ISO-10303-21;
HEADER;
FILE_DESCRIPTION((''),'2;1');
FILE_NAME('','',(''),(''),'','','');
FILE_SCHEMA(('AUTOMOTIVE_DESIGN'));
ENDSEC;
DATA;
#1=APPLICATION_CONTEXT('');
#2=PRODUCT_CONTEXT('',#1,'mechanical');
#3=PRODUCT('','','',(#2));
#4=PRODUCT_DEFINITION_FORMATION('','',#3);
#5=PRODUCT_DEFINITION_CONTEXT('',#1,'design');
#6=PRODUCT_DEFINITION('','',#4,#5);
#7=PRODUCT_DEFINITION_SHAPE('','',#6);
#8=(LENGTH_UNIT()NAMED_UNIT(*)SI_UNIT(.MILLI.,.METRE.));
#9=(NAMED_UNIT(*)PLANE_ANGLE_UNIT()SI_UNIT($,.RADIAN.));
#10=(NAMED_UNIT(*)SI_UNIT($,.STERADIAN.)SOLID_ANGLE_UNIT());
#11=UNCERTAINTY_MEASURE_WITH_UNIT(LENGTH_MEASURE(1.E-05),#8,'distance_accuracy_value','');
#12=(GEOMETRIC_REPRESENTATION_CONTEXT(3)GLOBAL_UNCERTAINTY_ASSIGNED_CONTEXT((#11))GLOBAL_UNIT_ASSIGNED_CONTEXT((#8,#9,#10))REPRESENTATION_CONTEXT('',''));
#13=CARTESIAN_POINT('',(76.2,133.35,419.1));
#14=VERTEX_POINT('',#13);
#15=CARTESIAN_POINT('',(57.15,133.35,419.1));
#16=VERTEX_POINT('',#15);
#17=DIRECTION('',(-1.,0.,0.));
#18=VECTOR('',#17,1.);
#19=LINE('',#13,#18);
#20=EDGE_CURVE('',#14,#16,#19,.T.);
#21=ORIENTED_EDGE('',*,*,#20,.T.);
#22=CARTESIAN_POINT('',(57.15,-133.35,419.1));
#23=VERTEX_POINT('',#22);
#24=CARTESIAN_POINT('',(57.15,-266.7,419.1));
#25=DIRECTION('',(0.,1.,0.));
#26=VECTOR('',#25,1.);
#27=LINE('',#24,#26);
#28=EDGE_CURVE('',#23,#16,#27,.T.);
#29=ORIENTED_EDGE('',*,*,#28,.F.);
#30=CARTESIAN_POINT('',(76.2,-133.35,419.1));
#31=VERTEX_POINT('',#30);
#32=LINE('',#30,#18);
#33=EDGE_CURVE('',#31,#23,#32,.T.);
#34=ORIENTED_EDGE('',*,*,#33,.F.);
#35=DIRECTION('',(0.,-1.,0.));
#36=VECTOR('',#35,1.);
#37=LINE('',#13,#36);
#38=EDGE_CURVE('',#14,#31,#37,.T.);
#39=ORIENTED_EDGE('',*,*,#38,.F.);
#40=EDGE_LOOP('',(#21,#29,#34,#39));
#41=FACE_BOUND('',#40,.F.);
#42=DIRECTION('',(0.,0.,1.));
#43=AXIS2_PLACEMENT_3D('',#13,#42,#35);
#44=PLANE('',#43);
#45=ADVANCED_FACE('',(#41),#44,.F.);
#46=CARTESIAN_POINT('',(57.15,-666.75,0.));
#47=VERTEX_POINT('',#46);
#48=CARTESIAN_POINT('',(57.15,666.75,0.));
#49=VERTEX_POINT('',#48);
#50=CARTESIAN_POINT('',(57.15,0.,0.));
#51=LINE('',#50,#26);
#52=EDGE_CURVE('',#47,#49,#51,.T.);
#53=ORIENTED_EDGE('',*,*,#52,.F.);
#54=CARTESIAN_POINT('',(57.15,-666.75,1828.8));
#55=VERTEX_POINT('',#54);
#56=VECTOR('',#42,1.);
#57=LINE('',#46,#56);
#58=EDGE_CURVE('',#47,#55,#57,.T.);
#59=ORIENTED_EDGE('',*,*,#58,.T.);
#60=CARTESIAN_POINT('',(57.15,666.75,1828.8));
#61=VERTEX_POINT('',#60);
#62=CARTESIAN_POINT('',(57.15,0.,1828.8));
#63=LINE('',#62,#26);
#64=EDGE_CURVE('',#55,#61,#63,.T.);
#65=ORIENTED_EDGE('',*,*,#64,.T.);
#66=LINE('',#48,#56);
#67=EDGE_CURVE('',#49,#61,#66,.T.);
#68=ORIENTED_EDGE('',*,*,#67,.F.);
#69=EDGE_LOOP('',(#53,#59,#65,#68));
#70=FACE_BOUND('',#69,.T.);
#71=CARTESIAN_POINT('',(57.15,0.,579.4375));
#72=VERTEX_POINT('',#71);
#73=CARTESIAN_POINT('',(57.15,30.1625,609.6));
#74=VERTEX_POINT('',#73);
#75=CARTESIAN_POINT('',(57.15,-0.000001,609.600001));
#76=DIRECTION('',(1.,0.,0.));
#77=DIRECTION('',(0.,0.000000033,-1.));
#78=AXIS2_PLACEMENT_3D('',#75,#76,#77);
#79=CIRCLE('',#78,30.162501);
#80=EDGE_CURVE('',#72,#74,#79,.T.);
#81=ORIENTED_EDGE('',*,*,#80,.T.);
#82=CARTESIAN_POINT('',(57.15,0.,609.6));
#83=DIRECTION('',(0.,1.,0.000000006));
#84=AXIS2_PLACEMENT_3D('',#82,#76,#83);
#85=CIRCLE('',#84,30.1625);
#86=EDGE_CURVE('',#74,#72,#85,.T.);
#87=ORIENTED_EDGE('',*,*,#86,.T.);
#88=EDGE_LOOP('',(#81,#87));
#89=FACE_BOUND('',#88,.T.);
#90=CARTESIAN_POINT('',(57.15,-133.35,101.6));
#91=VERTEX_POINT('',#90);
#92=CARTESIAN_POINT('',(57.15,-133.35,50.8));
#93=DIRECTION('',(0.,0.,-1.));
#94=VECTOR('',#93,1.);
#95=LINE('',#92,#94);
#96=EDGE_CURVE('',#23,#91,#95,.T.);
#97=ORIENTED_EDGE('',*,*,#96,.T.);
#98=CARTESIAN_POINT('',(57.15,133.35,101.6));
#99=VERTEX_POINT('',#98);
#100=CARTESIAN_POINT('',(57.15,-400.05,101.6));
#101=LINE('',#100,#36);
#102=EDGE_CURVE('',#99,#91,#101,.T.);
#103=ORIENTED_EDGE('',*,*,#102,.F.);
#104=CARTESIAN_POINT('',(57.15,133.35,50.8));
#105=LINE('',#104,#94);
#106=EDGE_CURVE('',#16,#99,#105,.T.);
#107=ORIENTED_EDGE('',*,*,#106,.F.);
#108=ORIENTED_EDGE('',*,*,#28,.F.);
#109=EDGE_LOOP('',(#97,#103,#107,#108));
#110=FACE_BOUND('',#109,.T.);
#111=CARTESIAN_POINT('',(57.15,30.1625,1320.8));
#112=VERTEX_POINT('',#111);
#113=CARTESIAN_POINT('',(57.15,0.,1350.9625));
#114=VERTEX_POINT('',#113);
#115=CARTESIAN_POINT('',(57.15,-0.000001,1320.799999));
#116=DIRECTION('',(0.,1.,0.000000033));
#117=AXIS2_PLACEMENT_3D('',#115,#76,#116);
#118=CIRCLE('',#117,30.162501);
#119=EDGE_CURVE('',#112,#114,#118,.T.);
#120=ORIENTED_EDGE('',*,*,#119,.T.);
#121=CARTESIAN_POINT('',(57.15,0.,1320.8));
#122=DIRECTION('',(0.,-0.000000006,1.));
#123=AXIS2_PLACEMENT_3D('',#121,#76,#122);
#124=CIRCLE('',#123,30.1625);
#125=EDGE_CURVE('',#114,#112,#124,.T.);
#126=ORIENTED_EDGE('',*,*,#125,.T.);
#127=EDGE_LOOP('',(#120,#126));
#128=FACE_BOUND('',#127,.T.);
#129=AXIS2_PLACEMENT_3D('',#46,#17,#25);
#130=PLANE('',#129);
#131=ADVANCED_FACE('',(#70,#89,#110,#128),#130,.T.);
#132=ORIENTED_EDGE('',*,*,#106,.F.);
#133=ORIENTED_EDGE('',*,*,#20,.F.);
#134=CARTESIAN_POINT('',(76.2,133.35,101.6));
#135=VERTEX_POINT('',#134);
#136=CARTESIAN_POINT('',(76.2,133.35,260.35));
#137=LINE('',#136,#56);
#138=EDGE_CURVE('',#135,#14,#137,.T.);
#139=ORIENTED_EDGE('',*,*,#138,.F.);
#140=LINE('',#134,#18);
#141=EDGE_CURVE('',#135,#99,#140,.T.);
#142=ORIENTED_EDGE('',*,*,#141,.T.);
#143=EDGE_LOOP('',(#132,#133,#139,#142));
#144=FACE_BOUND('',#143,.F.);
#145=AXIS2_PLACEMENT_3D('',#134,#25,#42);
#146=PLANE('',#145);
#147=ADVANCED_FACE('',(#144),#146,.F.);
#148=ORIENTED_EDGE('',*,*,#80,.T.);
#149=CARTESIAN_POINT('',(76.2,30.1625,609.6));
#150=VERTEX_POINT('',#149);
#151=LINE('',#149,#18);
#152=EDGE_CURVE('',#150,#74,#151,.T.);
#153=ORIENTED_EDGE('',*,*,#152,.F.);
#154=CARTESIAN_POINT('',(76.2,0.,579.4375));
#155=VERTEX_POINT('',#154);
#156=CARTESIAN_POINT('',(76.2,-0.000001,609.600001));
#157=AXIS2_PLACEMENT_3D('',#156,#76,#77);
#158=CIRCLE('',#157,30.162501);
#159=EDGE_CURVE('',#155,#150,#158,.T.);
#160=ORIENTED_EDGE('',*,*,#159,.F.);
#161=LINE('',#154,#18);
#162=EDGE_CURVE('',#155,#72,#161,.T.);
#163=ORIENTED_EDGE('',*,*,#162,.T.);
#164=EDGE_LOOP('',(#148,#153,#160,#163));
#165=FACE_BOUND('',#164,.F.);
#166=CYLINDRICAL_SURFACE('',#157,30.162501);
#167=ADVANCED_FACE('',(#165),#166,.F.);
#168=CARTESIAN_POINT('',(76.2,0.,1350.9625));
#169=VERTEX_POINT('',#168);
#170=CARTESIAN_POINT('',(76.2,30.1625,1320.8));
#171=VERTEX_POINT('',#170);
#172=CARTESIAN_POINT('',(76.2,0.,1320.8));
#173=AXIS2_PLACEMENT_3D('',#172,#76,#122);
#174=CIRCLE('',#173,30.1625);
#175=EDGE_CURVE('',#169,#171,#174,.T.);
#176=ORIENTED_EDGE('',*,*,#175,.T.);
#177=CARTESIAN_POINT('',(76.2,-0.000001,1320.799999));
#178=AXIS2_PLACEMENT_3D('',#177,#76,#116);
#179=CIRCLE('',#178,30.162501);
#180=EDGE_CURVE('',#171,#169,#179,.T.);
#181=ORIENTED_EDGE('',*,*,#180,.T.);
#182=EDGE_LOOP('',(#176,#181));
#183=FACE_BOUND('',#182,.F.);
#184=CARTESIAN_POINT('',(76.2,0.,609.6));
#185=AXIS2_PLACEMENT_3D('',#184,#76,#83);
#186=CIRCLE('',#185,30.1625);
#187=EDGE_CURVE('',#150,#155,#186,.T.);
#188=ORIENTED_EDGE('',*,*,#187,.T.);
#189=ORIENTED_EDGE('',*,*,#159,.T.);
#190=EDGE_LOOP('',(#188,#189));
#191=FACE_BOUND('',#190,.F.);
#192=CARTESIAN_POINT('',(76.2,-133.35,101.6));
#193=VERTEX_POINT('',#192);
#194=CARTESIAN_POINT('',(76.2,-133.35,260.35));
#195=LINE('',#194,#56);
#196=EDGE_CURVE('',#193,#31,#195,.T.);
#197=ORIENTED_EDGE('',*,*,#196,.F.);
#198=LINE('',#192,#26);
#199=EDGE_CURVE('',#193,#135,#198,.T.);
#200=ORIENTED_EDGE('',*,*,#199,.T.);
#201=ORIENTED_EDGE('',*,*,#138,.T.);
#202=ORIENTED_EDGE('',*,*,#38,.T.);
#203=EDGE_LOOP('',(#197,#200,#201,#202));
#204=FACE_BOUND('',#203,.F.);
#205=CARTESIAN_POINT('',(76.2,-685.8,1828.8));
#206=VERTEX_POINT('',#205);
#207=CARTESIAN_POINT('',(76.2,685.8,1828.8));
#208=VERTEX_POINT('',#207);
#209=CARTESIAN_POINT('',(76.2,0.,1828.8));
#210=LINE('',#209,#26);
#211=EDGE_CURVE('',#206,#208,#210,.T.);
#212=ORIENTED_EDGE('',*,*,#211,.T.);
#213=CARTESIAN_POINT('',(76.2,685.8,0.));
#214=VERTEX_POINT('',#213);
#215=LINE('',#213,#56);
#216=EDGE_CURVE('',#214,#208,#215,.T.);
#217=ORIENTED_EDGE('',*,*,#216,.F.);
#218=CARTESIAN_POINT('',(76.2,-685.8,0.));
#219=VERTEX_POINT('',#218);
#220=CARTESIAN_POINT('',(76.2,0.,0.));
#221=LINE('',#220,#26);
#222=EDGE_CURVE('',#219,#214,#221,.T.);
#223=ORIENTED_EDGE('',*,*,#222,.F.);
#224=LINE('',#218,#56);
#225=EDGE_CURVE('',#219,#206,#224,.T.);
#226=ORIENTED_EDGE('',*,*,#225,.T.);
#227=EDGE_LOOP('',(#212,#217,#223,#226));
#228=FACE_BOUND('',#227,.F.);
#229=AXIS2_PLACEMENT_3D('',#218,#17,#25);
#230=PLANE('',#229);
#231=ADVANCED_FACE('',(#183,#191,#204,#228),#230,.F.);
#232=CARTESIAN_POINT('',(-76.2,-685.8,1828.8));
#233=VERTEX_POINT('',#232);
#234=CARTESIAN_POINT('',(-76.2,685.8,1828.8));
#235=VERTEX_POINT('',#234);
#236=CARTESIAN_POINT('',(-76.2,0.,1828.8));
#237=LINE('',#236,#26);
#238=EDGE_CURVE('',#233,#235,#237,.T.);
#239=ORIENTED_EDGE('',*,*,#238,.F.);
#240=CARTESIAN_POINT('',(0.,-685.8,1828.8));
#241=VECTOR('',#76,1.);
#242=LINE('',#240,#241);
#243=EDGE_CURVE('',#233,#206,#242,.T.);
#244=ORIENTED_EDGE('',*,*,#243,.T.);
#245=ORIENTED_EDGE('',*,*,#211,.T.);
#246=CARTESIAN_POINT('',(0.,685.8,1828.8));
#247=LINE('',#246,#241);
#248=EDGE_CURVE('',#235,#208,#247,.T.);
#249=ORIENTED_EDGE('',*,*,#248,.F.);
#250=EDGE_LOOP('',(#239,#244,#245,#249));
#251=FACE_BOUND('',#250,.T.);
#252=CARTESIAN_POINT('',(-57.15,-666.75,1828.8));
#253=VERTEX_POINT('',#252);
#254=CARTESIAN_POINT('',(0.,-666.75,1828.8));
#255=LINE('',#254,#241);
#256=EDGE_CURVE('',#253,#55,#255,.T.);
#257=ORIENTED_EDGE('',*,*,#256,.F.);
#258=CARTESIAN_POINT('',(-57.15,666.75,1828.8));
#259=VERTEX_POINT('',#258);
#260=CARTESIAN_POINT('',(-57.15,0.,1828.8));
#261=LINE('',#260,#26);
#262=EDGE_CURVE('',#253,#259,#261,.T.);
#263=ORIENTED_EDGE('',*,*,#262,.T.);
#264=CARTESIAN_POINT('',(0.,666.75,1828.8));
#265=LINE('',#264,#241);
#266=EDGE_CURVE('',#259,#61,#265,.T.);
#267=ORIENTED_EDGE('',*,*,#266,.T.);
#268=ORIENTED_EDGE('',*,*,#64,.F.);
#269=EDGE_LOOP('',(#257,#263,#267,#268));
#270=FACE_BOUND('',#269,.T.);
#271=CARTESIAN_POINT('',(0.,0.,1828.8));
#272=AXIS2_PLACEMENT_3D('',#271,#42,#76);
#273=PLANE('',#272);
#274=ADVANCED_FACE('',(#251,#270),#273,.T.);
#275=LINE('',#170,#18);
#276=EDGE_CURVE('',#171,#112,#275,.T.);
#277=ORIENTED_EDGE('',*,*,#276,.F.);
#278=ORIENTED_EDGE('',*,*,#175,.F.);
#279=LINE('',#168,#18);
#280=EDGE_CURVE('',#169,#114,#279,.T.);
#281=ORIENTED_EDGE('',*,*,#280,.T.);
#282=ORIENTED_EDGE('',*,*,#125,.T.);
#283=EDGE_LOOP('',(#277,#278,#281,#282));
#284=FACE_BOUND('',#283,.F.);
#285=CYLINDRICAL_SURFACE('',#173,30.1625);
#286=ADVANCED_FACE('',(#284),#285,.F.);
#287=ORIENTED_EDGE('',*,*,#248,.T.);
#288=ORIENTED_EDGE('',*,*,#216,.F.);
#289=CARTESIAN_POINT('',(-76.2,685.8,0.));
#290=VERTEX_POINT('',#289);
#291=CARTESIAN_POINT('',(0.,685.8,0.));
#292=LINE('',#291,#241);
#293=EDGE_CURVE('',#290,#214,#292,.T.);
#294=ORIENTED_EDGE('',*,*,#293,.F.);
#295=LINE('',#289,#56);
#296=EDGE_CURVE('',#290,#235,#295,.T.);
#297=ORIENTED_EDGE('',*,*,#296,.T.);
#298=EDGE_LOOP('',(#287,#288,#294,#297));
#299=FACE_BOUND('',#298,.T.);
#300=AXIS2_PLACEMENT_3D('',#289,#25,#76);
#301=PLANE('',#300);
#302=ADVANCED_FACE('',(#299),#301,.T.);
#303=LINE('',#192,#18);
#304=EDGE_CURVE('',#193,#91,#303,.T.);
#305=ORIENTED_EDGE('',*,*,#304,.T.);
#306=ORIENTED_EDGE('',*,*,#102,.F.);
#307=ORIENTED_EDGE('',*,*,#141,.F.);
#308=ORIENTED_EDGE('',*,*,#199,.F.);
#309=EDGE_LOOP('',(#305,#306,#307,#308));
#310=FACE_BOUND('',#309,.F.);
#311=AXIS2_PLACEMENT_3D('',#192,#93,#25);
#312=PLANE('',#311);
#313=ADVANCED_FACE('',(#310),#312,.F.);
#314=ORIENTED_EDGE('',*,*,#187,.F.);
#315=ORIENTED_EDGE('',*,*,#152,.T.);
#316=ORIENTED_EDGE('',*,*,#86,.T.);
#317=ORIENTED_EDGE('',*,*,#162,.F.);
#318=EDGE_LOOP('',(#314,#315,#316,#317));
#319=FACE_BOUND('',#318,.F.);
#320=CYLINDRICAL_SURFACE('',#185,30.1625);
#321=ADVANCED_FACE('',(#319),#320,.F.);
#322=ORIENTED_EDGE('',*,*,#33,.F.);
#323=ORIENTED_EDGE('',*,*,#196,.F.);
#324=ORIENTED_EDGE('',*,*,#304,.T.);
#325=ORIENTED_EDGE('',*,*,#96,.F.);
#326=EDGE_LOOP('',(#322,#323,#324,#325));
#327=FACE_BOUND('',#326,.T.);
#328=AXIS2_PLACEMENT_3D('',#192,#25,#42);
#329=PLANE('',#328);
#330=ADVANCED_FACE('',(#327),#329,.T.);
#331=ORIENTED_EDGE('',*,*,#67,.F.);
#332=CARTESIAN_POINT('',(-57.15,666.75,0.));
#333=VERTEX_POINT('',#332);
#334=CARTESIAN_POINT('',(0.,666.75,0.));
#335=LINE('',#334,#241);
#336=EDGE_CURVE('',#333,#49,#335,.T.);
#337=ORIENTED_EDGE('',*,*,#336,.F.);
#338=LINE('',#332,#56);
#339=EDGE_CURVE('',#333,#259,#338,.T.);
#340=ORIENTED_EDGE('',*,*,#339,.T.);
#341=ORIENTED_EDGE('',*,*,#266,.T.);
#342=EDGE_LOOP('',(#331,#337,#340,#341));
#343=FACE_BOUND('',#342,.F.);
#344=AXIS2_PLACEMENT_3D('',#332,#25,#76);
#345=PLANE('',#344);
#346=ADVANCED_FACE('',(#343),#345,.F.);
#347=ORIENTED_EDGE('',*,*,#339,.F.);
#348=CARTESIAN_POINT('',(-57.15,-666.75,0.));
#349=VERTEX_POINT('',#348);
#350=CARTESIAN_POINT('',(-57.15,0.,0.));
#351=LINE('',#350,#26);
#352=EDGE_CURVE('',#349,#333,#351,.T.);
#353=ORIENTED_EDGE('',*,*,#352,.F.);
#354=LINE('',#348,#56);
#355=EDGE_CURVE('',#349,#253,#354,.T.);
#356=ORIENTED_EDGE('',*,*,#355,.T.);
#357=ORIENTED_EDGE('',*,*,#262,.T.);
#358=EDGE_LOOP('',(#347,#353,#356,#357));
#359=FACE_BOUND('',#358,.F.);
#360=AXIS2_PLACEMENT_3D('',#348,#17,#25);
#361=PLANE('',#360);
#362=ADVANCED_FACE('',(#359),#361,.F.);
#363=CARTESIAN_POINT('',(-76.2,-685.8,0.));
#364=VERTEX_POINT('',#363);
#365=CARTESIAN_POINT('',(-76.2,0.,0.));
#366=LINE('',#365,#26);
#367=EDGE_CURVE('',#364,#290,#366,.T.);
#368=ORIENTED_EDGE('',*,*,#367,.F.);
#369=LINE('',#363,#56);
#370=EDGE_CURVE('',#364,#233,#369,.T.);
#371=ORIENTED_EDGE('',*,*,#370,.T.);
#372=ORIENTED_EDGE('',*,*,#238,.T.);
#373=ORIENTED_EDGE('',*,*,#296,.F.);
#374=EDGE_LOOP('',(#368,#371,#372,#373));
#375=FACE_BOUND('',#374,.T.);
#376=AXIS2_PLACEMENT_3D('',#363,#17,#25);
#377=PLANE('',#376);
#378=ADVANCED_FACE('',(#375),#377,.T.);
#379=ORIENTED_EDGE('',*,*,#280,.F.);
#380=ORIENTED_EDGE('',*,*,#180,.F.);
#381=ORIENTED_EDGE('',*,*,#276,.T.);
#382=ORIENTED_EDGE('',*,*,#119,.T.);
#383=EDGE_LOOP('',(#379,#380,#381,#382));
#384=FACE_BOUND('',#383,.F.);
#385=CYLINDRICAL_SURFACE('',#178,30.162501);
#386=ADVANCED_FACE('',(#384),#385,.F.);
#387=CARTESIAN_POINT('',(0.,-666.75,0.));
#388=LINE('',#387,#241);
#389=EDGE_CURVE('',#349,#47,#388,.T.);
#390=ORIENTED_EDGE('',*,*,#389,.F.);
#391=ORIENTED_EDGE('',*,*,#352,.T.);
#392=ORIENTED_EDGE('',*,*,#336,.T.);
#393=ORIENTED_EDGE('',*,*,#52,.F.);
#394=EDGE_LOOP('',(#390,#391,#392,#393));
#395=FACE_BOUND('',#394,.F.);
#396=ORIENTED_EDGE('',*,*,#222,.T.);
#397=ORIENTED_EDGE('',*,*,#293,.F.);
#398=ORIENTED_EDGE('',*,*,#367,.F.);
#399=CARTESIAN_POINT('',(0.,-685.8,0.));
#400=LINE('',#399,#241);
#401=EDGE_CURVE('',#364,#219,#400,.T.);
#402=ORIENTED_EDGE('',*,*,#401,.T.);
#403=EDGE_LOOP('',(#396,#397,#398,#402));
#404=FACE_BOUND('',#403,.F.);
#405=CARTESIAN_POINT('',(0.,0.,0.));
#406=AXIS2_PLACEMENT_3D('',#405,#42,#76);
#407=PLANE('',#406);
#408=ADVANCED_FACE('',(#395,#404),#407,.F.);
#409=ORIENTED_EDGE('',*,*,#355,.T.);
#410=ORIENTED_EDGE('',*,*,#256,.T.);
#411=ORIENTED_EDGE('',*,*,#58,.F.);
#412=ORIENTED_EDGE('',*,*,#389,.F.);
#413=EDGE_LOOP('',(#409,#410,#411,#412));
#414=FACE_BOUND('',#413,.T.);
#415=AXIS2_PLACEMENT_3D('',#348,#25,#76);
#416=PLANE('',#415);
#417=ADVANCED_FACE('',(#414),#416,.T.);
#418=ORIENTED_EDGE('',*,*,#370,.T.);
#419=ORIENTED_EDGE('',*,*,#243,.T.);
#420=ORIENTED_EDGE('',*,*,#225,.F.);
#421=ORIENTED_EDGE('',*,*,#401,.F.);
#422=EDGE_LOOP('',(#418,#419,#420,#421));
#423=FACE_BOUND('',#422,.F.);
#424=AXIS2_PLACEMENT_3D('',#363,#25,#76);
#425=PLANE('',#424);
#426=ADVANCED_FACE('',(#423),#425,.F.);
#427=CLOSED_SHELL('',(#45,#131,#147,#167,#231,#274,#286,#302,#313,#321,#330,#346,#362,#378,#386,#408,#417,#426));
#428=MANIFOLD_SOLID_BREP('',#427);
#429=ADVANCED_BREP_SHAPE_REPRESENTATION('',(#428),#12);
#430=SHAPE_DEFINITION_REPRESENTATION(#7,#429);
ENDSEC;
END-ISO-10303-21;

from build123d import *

# Parameters (mm, degrees)
F0_W     = 152.4
F0_H     = 1371.6
F0_W_2   = 114.3
F0_H_2   = 1333.5
F1_DEPTH = 1828.8
F2_W     = 133.35
F2_H     = 317.5
F3_DEPTH = 25.4


with BuildPart() as f1:
    # F0 (on Top) → F1 (new body)
    with BuildSketch(Plane.XY):
        Rectangle(F0_W, F0_H)
        Rectangle(F0_W_2, F0_H_2, mode=Mode.SUBTRACT)
    extrude(amount=F1_DEPTH)

    # F2 (on face) → F3 (cut)
    with BuildSketch(Plane.YZ.offset(76.2)):
        with BuildLine():
            ThreePointArc((30.1625, 1320.8), (21.328108, 1342.128108), (0, 1350.9625))
            ThreePointArc((0, 1350.9625), (-21.328108, 1299.471892), (30.1625, 1320.8))
        make_face()
        with BuildLine():
            ThreePointArc((30.1625, 609.6), (-21.328108, 630.928108), (0, 579.4375))
            ThreePointArc((0, 579.4375), (21.328108, 588.271892), (30.1625, 609.6))
        make_face()
        with Locations((-66.675, 260.35)):
            Rectangle(F2_W, F2_H)
        with Locations((66.675, 260.35)):
            Rectangle(F2_W, F2_H)
    extrude(amount=-F3_DEPTH, mode=Mode.SUBTRACT)


solid = f1.part
